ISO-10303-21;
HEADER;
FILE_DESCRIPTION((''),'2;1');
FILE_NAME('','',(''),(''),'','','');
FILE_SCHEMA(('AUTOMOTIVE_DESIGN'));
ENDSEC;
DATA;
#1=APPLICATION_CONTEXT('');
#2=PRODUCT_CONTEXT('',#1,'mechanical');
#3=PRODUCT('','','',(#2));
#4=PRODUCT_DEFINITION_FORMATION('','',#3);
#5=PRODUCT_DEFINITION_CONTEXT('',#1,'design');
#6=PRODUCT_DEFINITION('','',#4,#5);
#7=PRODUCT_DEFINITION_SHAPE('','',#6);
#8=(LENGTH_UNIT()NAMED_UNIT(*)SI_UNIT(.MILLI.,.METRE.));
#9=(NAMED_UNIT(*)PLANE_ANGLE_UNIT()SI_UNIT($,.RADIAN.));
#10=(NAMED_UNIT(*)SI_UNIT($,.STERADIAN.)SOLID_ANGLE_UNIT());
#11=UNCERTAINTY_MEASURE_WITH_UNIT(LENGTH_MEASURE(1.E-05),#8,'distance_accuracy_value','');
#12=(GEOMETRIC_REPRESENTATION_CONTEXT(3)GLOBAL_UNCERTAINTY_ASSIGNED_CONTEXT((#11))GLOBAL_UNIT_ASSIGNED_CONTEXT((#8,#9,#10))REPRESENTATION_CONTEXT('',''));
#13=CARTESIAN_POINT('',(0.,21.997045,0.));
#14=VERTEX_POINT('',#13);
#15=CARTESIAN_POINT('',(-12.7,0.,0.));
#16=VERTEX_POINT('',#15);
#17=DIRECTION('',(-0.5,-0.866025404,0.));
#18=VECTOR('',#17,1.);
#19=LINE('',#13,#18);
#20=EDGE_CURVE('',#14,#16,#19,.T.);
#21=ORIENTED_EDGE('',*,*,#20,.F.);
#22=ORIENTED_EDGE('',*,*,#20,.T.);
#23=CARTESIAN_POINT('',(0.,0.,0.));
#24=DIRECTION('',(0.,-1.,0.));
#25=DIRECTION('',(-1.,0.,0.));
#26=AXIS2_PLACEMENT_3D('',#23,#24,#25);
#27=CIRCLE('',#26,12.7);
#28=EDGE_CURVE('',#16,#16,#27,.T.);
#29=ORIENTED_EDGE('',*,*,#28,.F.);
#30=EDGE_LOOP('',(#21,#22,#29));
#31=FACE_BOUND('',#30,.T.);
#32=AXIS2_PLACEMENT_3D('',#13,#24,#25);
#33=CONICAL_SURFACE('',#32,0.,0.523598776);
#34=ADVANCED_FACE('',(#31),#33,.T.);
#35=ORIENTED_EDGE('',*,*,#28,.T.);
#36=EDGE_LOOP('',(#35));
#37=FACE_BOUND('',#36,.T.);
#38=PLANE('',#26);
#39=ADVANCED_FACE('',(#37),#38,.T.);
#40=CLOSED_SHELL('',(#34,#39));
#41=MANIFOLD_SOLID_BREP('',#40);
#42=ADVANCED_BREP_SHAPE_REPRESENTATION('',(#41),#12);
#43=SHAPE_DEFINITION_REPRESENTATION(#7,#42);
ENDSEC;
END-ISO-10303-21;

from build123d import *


with BuildPart() as f1:
    # F0 (on Top) → F1 (revolve)
    with BuildSketch(Plane.XY):
        Polygon((0, 0), (0, 21.9970452561), (-12.7, 0), align=None)
    revolve(axis=Axis((0, 10.9985226281, 0), (0, -1, 0)))

    # F0 (on Top) → F2 (revolve)
    with BuildSketch(Plane.XY):
        Polygon((0, 0), (0, 21.9970452561), (-12.7, 0), align=None)
    revolve(axis=Axis((0, 10.9985226281, 0), (0, -1, 0)))


solid = f1.part
